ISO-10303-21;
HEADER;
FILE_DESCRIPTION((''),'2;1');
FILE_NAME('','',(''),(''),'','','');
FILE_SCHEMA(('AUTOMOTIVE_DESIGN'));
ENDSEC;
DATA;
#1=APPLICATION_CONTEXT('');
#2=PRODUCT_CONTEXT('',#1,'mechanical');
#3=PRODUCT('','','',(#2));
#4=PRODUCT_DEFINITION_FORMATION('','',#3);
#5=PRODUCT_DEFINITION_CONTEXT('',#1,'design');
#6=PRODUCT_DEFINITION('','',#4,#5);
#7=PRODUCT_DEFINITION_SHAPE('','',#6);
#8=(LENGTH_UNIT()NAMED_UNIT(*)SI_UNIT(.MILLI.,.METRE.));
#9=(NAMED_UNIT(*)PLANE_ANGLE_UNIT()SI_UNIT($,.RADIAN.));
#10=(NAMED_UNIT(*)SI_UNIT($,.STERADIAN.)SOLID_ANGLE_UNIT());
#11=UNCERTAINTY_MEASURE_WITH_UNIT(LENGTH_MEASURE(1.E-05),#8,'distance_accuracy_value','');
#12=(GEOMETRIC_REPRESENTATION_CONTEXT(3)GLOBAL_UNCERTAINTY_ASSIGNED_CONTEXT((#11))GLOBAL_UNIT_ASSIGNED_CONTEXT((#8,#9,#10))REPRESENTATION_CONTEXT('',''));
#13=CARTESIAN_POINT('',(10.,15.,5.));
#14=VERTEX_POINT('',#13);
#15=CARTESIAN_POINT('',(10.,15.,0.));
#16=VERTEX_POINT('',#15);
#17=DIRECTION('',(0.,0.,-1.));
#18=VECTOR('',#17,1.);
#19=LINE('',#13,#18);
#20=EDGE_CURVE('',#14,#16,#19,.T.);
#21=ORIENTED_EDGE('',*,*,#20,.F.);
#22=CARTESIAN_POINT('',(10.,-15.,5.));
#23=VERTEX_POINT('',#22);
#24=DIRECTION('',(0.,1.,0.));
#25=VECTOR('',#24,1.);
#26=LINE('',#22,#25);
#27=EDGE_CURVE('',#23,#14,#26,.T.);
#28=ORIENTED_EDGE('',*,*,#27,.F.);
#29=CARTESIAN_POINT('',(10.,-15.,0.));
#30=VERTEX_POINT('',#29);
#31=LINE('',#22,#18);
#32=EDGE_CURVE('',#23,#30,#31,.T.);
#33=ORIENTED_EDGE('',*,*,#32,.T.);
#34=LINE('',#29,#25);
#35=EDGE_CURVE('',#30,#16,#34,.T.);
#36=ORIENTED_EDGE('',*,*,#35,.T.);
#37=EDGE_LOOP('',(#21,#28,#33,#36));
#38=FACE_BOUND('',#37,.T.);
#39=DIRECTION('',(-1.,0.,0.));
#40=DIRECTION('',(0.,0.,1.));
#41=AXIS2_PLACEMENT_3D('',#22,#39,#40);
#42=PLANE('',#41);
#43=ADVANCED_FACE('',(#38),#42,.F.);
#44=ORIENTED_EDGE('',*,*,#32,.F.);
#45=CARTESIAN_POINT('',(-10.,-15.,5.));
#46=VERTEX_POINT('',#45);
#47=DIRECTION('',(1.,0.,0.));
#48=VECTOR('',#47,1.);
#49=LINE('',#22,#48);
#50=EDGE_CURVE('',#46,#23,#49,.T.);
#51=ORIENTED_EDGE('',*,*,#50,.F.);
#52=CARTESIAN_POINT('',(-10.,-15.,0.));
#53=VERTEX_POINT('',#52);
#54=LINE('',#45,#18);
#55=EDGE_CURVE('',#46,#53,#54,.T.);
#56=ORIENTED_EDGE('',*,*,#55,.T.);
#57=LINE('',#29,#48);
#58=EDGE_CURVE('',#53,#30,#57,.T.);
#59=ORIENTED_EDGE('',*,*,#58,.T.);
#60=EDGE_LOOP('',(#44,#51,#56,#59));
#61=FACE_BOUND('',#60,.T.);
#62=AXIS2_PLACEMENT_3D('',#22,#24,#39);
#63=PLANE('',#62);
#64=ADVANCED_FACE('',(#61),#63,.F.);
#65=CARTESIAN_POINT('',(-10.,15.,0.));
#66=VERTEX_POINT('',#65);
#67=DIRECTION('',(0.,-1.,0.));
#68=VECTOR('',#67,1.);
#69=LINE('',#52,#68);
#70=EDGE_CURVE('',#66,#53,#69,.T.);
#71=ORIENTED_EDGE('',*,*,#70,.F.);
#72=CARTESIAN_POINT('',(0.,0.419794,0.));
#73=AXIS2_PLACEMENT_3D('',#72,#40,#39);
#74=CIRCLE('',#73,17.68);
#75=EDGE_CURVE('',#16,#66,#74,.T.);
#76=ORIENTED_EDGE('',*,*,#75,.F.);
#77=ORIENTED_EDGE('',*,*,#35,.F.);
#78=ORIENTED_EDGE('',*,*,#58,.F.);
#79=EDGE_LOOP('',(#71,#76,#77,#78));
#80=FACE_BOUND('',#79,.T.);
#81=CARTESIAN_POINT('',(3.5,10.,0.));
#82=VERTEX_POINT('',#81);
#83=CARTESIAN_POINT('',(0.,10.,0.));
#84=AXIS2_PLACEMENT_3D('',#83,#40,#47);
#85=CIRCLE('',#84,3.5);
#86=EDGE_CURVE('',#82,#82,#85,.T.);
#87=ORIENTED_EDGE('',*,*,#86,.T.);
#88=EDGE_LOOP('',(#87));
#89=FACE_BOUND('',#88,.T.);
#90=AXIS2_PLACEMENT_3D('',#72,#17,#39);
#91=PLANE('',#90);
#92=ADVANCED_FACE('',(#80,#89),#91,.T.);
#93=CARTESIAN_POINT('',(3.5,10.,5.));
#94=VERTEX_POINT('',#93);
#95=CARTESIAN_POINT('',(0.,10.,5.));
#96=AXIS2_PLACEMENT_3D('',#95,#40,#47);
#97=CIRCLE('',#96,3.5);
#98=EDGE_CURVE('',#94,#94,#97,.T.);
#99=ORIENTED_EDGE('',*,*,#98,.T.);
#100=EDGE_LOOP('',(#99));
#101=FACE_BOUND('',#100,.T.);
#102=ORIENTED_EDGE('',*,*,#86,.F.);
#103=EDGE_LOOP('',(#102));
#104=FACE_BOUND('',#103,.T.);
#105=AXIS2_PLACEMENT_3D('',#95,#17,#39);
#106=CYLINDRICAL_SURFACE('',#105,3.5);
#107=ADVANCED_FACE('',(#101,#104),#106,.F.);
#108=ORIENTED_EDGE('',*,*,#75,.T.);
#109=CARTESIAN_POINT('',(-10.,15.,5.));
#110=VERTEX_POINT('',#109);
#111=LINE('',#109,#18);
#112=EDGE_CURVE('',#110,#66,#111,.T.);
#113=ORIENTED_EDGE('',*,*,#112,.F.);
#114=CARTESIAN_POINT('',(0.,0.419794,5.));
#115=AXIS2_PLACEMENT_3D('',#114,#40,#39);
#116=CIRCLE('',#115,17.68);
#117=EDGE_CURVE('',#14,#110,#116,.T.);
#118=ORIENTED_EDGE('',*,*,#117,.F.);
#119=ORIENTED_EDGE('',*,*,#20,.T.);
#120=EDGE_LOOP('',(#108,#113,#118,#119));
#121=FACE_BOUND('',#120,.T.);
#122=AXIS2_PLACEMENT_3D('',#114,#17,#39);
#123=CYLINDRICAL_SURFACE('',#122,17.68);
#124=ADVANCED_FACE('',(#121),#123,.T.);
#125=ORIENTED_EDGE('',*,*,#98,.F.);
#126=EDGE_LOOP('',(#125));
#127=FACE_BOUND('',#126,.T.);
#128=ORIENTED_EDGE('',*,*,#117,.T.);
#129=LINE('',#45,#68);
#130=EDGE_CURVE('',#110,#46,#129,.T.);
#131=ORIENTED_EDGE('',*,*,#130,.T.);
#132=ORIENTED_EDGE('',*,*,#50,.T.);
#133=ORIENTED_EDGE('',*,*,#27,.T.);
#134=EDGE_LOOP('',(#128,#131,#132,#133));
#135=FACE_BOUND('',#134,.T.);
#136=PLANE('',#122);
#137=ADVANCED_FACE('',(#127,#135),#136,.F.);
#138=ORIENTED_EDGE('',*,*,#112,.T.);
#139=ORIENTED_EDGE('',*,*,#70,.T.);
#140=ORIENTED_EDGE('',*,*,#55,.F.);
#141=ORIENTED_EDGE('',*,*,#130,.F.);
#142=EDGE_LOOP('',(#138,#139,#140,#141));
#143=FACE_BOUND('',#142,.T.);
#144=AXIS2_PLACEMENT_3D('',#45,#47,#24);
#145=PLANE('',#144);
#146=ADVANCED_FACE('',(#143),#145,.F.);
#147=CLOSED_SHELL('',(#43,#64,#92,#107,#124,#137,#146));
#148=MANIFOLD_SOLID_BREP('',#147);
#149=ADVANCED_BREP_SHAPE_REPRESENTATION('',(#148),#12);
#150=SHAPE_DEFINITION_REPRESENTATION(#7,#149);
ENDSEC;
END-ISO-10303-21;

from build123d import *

# Parameters (mm, degrees)
SKETCH1_R           = 3.5
BOSS_EXTRUDE1_DEPTH = 5


with BuildPart() as part:
    # Sketch1 → Boss-Extrude1 (new body)
    with BuildSketch(Plane.XY):
        with BuildLine():
            Line((10, -15), (-10, -15))
            Line((-10, -15), (-10, 15))
            ThreePointArc((-10, 15), (0, 18.09979424), (10, 15))
            Line((10, 15), (10, -15))
        make_face()
        with Locations((0, 10)):
            Circle(SKETCH1_R, mode=Mode.SUBTRACT)
    extrude(amount=BOSS_EXTRUDE1_DEPTH)


solid = part.part
